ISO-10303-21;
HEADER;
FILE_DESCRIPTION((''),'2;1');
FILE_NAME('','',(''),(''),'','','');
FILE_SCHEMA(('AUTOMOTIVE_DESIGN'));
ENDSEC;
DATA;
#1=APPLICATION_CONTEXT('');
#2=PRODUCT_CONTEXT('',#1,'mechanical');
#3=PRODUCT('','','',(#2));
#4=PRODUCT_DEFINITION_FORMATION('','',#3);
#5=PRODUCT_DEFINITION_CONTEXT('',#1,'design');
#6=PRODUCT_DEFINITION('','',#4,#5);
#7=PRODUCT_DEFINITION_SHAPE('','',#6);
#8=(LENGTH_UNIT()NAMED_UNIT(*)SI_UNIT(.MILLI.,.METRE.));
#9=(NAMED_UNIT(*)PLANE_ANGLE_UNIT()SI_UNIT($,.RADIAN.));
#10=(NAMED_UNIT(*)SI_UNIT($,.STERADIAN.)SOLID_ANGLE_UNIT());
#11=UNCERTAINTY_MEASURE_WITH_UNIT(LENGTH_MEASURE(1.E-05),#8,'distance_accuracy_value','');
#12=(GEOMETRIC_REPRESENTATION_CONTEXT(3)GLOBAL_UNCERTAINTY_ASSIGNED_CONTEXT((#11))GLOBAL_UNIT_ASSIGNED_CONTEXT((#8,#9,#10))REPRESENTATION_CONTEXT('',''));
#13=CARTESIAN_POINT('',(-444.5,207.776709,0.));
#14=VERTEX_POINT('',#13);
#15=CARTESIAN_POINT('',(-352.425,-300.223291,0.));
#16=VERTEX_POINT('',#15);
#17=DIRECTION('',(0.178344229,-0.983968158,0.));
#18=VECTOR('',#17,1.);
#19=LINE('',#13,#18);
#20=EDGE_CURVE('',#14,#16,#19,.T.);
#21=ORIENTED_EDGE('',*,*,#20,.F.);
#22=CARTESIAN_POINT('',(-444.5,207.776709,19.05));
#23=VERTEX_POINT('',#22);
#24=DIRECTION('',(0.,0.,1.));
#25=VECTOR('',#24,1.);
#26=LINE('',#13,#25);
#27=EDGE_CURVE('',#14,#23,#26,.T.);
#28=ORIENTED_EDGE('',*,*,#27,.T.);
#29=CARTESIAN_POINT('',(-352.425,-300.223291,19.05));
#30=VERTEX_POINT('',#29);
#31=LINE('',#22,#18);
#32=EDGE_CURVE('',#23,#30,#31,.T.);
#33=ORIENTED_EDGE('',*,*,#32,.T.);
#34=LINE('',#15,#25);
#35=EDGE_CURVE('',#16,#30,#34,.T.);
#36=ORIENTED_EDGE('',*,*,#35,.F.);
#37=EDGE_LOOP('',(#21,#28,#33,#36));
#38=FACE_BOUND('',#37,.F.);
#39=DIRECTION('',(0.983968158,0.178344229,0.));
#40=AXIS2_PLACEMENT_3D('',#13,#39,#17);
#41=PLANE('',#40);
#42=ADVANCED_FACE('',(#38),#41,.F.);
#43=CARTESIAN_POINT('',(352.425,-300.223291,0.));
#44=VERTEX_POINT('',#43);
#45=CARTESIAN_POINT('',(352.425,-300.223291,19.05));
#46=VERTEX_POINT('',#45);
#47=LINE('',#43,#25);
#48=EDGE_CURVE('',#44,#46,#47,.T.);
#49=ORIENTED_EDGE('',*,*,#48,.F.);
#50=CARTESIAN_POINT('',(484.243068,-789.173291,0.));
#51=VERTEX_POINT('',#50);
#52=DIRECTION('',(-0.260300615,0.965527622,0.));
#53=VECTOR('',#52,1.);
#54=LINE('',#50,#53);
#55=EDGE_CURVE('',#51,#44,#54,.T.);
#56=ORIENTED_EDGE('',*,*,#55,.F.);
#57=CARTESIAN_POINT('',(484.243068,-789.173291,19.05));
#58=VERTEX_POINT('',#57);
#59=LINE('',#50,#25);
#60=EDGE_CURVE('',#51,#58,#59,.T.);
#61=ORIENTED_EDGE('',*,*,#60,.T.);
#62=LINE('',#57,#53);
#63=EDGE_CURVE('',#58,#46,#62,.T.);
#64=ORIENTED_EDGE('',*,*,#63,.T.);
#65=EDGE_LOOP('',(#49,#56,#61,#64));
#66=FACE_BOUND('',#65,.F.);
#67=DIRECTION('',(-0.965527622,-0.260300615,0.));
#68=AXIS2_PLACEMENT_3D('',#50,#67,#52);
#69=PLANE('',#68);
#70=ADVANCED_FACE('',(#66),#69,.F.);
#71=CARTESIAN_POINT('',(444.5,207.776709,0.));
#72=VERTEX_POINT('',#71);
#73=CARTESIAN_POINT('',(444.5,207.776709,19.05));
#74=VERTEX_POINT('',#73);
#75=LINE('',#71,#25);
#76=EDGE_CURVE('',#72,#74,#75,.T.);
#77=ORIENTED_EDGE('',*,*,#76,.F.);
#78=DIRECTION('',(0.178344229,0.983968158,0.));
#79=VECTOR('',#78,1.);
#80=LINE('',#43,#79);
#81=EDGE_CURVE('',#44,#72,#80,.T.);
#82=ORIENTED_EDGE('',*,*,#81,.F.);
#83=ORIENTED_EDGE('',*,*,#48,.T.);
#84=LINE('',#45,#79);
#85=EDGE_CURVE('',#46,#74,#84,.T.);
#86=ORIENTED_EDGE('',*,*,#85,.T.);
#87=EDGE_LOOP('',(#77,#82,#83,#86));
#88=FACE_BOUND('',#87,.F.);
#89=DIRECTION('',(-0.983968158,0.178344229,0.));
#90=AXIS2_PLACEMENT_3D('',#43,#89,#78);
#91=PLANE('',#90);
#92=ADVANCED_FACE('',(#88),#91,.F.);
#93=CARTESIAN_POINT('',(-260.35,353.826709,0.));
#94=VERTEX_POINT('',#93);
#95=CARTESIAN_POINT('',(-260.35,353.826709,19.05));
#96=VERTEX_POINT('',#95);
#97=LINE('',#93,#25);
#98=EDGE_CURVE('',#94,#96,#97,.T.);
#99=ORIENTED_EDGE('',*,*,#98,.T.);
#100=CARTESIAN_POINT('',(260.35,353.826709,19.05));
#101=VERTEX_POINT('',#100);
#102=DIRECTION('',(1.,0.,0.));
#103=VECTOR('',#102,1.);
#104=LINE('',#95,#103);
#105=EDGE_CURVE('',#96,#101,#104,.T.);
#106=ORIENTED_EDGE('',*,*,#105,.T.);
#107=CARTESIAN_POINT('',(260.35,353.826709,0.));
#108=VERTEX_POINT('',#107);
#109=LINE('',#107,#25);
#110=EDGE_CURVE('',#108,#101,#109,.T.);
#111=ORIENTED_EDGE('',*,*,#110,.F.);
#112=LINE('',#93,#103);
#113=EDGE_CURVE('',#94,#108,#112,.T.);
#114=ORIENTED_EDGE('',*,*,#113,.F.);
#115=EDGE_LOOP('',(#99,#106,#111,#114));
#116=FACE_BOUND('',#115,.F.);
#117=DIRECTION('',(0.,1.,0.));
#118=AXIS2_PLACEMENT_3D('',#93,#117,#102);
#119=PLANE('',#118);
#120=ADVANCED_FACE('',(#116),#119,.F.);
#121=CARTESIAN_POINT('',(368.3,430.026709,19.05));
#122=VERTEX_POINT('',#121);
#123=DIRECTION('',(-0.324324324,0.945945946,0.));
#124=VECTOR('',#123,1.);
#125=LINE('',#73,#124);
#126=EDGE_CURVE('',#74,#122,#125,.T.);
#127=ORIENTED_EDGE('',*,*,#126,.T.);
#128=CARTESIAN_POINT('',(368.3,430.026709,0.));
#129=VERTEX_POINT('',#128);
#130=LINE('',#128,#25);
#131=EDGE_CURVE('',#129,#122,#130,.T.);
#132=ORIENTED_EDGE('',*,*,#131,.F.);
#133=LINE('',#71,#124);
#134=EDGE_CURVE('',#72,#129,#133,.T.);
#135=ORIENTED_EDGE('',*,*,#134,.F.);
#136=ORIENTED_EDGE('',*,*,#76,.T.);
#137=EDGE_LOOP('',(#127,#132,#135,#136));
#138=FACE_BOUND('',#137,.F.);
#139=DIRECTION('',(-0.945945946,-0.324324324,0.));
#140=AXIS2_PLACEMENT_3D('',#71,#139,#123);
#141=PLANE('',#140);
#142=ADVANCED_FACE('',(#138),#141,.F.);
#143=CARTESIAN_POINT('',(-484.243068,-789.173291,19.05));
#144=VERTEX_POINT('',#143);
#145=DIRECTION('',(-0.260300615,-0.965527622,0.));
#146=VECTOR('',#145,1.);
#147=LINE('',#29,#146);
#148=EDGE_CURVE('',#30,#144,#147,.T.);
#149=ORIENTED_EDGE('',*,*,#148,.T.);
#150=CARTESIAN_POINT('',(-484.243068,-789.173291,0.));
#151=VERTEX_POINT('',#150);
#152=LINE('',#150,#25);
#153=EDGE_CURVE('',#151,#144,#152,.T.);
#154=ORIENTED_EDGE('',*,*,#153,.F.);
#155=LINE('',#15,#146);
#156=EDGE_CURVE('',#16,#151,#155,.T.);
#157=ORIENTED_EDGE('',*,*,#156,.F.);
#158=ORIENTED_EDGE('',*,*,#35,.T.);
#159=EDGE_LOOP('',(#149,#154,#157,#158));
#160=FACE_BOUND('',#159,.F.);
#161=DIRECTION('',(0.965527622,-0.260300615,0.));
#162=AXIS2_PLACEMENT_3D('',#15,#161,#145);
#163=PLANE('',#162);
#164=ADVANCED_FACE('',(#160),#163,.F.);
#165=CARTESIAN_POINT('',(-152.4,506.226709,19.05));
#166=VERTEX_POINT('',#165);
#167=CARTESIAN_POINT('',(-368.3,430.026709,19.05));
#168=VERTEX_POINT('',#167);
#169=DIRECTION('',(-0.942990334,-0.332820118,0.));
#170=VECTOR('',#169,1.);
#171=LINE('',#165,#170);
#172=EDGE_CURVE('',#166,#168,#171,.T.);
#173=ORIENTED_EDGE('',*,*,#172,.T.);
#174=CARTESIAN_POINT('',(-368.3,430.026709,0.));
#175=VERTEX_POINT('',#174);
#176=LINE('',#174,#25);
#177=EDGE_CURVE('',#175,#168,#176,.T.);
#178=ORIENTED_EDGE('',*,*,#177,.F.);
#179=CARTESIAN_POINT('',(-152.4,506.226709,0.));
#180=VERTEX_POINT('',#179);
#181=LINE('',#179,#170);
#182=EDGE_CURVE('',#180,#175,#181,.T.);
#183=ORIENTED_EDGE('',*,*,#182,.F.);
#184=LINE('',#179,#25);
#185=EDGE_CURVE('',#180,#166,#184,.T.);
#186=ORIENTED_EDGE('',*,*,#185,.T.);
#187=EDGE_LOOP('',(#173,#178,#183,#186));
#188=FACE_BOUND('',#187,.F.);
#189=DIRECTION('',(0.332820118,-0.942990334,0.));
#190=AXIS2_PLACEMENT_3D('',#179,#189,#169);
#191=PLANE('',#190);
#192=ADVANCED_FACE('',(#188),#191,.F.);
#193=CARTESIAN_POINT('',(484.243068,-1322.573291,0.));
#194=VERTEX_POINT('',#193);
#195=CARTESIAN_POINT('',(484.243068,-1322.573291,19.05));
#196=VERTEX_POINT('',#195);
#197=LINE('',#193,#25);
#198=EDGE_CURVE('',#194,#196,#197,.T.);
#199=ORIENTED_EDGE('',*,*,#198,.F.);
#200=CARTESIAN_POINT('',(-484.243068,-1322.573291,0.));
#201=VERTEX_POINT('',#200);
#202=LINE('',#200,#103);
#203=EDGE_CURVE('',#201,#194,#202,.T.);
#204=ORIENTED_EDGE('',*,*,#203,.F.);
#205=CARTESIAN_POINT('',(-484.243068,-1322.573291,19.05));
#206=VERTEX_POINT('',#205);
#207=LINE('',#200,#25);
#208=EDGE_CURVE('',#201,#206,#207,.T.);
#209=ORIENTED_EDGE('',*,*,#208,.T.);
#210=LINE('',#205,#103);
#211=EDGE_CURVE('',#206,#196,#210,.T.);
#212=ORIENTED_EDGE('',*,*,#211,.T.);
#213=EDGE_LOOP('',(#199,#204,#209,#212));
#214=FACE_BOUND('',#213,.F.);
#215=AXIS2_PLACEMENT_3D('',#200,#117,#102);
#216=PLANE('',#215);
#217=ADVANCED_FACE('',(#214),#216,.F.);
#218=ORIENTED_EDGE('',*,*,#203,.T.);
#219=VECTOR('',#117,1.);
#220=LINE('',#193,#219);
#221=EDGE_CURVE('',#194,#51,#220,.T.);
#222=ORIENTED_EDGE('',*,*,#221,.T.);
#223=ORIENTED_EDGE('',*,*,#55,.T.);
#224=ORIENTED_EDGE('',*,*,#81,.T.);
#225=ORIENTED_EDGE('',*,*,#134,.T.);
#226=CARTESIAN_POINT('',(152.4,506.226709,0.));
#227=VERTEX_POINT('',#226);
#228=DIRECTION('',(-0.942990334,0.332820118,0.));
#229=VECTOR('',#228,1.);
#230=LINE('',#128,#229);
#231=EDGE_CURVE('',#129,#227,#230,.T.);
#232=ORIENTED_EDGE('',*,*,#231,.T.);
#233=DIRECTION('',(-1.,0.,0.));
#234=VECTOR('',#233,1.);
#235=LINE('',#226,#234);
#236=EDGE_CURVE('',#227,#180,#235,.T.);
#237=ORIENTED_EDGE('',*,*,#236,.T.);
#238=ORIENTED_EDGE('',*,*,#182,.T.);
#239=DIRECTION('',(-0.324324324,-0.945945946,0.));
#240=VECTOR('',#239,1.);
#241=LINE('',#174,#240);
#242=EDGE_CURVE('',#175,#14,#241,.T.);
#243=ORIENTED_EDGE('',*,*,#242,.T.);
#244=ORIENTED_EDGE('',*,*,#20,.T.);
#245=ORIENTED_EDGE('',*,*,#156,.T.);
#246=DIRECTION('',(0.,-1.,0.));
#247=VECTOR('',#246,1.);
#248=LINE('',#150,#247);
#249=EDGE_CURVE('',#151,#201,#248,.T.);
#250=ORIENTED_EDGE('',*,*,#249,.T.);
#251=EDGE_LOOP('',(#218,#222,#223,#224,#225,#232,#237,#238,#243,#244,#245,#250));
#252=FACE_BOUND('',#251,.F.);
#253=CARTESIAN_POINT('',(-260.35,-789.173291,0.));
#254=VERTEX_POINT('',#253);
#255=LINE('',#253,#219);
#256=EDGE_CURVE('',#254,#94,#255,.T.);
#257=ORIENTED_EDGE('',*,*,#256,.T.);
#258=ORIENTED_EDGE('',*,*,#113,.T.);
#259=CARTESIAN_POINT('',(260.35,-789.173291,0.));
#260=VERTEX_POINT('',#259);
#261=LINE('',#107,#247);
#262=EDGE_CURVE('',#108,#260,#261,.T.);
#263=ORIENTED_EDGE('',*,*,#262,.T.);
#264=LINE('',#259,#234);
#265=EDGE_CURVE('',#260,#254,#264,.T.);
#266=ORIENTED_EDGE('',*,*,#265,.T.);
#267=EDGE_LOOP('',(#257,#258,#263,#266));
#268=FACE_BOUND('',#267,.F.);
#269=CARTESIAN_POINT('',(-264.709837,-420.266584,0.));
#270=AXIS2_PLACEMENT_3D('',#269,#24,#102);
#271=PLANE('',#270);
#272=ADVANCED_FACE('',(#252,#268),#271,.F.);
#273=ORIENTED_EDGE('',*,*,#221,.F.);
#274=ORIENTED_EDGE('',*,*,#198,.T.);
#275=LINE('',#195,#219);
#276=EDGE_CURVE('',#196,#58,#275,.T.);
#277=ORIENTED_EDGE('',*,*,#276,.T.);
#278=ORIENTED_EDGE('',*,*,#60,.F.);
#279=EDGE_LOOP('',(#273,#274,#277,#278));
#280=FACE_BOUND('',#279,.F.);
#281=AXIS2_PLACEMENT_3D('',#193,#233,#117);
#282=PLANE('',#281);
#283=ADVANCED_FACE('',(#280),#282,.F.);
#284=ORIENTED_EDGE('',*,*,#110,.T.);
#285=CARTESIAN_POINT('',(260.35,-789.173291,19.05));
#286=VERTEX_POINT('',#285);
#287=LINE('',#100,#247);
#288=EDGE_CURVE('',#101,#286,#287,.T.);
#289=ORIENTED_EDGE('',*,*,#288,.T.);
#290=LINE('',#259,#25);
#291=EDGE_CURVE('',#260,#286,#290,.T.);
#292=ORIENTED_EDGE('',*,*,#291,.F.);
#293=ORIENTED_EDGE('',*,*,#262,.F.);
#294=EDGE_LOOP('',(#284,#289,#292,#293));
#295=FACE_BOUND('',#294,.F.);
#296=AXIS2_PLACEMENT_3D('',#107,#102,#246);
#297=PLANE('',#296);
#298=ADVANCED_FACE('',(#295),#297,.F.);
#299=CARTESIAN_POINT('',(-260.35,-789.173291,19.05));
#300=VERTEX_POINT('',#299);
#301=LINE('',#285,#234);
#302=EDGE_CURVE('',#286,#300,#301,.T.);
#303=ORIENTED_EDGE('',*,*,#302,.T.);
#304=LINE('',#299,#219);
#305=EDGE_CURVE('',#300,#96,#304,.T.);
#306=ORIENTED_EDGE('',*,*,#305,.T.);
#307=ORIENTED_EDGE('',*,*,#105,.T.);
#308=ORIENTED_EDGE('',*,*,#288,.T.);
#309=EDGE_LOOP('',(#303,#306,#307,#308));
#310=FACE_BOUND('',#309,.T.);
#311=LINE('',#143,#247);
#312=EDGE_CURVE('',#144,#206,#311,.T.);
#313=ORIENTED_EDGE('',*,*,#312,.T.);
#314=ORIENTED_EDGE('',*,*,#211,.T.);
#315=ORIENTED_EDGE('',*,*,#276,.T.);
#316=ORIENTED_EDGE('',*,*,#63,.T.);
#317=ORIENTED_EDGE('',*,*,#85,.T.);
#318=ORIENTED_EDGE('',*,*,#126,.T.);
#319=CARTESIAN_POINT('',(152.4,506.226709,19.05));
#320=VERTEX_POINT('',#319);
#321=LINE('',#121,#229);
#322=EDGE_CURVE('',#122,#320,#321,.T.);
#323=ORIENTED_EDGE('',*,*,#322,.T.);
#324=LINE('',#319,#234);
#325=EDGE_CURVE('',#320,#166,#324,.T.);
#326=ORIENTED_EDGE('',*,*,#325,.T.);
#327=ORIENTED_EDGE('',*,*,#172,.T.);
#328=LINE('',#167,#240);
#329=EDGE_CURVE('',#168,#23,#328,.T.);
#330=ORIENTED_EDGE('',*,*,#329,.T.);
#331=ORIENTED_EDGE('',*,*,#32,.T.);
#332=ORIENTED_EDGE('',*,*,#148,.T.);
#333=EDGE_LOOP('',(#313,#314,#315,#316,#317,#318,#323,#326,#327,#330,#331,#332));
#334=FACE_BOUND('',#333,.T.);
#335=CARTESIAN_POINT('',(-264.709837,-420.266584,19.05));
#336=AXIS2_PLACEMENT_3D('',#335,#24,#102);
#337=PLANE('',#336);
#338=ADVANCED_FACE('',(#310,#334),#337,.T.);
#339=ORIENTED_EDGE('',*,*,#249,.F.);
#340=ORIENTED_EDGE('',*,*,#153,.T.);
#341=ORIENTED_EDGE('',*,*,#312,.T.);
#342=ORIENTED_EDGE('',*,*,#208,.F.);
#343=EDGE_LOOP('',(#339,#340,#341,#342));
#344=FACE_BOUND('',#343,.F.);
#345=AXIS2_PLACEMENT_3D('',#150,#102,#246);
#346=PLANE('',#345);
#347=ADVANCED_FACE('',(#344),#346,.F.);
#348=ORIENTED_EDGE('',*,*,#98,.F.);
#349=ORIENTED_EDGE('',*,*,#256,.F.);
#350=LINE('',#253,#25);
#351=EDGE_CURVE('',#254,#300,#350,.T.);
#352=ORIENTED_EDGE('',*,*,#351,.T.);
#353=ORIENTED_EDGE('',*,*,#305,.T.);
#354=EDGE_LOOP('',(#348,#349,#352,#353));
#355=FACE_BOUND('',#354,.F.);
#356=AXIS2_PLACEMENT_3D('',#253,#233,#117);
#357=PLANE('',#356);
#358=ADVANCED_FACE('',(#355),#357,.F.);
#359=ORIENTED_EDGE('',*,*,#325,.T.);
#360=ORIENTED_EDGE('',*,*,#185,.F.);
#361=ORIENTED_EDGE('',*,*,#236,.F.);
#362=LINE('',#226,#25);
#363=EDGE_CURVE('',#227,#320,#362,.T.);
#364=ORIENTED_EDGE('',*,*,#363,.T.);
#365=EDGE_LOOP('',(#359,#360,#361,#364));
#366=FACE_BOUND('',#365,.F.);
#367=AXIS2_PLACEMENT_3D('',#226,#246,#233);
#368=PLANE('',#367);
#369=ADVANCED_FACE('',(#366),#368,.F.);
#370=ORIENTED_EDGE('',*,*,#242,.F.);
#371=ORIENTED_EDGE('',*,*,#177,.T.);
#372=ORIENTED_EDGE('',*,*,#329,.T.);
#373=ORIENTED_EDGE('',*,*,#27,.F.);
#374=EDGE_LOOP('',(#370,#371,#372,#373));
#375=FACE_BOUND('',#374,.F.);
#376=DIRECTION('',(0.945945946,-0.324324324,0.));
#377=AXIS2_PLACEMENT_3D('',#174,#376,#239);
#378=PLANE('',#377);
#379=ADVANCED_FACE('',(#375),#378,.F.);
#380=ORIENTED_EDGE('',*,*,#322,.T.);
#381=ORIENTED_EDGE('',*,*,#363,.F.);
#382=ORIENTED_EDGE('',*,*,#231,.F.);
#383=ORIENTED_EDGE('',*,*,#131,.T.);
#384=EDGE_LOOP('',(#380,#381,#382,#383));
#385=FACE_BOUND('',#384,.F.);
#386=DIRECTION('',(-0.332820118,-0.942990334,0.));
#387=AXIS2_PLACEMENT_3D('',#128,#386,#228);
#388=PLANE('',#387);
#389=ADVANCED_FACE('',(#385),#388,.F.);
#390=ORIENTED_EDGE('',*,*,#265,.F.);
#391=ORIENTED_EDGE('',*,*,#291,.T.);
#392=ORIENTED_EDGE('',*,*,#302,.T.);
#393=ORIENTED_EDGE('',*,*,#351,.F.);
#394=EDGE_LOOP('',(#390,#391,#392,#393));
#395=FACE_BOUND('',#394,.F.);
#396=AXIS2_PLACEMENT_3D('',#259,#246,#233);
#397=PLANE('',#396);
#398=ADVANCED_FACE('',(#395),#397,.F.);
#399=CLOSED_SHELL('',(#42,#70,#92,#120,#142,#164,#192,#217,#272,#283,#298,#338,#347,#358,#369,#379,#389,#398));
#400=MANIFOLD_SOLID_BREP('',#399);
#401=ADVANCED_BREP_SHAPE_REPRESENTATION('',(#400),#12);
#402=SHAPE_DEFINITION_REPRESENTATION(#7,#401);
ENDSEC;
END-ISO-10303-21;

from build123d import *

# Parameters (mm, degrees)
F1_DEPTH = 19.05


with BuildPart() as f1:
    # F0 (on Top) → F1 (new body)
    with BuildSketch(Plane.XY):
        Polygon((0, 353.826709), (0, 506.226709), (-152.4, 506.226709), (-368.3, 430.026709), (-444.5, 207.776709), (-352.425, -300.223291), (-484.243068, -789.173291), (-484.243068, -1322.573291), (0, -1322.573291), (0, -789.173291), (-260.35, -789.173291), (-260.35, 353.826709), align=None)
        Polygon((152.4, 506.226709), (0, 506.226709), (0, 353.826709), (260.35, 353.826709), (260.35, -789.173291), (0, -789.173291), (0, -1322.573291), (484.243068, -1322.573291), (484.243068, -789.173291), (352.425, -300.223291), (444.5, 207.776709), (368.3, 430.026709), align=None)
    extrude(amount=F1_DEPTH)


solid = f1.part
